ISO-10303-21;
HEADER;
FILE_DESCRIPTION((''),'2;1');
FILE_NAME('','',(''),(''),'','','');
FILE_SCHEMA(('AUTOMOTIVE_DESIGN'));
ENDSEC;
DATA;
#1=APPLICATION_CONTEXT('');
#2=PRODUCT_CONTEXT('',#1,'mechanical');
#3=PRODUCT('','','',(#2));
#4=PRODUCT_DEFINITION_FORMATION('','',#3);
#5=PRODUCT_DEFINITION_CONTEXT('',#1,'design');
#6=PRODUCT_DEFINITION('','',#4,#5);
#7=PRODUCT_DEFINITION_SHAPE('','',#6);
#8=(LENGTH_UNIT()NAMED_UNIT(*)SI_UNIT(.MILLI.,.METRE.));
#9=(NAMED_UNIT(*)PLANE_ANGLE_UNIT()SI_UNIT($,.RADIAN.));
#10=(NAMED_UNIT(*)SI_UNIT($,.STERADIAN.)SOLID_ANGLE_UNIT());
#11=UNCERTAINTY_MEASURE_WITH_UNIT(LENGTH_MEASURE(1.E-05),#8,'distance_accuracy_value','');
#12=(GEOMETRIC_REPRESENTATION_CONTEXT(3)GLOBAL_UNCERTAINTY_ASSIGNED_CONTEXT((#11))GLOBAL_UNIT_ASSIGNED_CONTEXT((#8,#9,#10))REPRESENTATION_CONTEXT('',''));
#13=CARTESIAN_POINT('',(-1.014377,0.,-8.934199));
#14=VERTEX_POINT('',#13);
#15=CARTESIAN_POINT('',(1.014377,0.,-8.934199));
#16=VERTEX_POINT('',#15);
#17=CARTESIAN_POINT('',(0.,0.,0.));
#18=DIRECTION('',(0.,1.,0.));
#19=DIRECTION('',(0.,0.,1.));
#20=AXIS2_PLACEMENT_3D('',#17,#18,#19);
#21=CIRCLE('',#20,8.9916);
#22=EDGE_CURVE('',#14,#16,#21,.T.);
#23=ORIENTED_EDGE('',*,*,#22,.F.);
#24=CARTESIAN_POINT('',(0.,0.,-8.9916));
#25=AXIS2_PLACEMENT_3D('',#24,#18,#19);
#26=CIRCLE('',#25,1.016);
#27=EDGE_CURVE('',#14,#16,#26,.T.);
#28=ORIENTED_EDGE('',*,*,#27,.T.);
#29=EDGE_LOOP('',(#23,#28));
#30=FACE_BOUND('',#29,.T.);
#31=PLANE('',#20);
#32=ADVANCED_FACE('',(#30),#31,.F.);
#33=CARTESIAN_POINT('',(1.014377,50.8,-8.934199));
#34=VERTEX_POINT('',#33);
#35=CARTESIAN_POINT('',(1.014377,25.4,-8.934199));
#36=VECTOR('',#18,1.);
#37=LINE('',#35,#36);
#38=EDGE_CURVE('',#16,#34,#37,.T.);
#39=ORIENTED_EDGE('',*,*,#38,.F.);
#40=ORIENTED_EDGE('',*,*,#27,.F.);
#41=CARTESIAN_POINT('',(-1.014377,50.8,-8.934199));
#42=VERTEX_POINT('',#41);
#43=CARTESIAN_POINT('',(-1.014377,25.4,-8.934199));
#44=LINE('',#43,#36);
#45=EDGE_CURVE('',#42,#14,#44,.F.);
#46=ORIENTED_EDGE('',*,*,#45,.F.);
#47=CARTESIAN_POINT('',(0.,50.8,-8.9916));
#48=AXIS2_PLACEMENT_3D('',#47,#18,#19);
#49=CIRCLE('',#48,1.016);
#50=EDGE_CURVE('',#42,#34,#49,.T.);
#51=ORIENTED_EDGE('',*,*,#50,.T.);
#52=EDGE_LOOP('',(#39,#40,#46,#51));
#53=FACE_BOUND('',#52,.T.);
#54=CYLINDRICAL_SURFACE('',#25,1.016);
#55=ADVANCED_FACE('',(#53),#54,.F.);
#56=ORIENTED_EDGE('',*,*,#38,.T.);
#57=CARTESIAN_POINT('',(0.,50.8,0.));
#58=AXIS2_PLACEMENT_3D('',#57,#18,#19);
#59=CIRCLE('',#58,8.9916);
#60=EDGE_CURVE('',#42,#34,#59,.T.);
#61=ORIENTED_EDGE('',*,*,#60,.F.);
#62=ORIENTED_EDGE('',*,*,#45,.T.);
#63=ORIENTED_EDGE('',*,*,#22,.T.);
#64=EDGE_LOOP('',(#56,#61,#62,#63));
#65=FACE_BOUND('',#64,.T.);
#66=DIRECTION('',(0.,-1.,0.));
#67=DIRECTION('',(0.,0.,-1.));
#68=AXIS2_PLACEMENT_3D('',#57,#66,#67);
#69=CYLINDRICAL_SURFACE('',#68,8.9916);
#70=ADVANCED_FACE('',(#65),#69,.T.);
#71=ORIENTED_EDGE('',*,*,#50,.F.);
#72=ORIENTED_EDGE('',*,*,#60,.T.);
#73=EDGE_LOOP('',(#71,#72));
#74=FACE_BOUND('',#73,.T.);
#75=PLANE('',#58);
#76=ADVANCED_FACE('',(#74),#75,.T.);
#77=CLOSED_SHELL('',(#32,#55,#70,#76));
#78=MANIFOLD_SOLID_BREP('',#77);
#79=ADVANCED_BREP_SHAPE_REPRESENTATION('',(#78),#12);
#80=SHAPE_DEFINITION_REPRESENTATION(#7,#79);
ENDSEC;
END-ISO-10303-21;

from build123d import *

# Parameters (mm, degrees)
SKETCH1_R           = 8.9916
BOSS_EXTRUDE1_DEPTH = 50.8
SKETCH2_R           = 1.016
CUT_EXTRUDE1_DEPTH  = 53.367334676


with BuildPart() as part:
    # Sketch1 → Boss-Extrude1 (new body)
    with BuildSketch(Plane(origin=(0, 0, 0), x_dir=(1, 0, 0), z_dir=(0, 1, 0))):
        with Locations(Location((0, 0, 0), (0, 0, 270))):
            Circle(SKETCH1_R)
    extrude(amount=BOSS_EXTRUDE1_DEPTH)

    # Sketch2 → Cut-Extrude1 (cut, through all)
    with BuildSketch(Plane(origin=(0, 50.8, 0), x_dir=(1, 0, 0), z_dir=(0, 1, 0))):
        with Locations((0, 8.9916)):
            Circle(SKETCH2_R)
    extrude(amount=-CUT_EXTRUDE1_DEPTH, mode=Mode.SUBTRACT)


solid = part.part
